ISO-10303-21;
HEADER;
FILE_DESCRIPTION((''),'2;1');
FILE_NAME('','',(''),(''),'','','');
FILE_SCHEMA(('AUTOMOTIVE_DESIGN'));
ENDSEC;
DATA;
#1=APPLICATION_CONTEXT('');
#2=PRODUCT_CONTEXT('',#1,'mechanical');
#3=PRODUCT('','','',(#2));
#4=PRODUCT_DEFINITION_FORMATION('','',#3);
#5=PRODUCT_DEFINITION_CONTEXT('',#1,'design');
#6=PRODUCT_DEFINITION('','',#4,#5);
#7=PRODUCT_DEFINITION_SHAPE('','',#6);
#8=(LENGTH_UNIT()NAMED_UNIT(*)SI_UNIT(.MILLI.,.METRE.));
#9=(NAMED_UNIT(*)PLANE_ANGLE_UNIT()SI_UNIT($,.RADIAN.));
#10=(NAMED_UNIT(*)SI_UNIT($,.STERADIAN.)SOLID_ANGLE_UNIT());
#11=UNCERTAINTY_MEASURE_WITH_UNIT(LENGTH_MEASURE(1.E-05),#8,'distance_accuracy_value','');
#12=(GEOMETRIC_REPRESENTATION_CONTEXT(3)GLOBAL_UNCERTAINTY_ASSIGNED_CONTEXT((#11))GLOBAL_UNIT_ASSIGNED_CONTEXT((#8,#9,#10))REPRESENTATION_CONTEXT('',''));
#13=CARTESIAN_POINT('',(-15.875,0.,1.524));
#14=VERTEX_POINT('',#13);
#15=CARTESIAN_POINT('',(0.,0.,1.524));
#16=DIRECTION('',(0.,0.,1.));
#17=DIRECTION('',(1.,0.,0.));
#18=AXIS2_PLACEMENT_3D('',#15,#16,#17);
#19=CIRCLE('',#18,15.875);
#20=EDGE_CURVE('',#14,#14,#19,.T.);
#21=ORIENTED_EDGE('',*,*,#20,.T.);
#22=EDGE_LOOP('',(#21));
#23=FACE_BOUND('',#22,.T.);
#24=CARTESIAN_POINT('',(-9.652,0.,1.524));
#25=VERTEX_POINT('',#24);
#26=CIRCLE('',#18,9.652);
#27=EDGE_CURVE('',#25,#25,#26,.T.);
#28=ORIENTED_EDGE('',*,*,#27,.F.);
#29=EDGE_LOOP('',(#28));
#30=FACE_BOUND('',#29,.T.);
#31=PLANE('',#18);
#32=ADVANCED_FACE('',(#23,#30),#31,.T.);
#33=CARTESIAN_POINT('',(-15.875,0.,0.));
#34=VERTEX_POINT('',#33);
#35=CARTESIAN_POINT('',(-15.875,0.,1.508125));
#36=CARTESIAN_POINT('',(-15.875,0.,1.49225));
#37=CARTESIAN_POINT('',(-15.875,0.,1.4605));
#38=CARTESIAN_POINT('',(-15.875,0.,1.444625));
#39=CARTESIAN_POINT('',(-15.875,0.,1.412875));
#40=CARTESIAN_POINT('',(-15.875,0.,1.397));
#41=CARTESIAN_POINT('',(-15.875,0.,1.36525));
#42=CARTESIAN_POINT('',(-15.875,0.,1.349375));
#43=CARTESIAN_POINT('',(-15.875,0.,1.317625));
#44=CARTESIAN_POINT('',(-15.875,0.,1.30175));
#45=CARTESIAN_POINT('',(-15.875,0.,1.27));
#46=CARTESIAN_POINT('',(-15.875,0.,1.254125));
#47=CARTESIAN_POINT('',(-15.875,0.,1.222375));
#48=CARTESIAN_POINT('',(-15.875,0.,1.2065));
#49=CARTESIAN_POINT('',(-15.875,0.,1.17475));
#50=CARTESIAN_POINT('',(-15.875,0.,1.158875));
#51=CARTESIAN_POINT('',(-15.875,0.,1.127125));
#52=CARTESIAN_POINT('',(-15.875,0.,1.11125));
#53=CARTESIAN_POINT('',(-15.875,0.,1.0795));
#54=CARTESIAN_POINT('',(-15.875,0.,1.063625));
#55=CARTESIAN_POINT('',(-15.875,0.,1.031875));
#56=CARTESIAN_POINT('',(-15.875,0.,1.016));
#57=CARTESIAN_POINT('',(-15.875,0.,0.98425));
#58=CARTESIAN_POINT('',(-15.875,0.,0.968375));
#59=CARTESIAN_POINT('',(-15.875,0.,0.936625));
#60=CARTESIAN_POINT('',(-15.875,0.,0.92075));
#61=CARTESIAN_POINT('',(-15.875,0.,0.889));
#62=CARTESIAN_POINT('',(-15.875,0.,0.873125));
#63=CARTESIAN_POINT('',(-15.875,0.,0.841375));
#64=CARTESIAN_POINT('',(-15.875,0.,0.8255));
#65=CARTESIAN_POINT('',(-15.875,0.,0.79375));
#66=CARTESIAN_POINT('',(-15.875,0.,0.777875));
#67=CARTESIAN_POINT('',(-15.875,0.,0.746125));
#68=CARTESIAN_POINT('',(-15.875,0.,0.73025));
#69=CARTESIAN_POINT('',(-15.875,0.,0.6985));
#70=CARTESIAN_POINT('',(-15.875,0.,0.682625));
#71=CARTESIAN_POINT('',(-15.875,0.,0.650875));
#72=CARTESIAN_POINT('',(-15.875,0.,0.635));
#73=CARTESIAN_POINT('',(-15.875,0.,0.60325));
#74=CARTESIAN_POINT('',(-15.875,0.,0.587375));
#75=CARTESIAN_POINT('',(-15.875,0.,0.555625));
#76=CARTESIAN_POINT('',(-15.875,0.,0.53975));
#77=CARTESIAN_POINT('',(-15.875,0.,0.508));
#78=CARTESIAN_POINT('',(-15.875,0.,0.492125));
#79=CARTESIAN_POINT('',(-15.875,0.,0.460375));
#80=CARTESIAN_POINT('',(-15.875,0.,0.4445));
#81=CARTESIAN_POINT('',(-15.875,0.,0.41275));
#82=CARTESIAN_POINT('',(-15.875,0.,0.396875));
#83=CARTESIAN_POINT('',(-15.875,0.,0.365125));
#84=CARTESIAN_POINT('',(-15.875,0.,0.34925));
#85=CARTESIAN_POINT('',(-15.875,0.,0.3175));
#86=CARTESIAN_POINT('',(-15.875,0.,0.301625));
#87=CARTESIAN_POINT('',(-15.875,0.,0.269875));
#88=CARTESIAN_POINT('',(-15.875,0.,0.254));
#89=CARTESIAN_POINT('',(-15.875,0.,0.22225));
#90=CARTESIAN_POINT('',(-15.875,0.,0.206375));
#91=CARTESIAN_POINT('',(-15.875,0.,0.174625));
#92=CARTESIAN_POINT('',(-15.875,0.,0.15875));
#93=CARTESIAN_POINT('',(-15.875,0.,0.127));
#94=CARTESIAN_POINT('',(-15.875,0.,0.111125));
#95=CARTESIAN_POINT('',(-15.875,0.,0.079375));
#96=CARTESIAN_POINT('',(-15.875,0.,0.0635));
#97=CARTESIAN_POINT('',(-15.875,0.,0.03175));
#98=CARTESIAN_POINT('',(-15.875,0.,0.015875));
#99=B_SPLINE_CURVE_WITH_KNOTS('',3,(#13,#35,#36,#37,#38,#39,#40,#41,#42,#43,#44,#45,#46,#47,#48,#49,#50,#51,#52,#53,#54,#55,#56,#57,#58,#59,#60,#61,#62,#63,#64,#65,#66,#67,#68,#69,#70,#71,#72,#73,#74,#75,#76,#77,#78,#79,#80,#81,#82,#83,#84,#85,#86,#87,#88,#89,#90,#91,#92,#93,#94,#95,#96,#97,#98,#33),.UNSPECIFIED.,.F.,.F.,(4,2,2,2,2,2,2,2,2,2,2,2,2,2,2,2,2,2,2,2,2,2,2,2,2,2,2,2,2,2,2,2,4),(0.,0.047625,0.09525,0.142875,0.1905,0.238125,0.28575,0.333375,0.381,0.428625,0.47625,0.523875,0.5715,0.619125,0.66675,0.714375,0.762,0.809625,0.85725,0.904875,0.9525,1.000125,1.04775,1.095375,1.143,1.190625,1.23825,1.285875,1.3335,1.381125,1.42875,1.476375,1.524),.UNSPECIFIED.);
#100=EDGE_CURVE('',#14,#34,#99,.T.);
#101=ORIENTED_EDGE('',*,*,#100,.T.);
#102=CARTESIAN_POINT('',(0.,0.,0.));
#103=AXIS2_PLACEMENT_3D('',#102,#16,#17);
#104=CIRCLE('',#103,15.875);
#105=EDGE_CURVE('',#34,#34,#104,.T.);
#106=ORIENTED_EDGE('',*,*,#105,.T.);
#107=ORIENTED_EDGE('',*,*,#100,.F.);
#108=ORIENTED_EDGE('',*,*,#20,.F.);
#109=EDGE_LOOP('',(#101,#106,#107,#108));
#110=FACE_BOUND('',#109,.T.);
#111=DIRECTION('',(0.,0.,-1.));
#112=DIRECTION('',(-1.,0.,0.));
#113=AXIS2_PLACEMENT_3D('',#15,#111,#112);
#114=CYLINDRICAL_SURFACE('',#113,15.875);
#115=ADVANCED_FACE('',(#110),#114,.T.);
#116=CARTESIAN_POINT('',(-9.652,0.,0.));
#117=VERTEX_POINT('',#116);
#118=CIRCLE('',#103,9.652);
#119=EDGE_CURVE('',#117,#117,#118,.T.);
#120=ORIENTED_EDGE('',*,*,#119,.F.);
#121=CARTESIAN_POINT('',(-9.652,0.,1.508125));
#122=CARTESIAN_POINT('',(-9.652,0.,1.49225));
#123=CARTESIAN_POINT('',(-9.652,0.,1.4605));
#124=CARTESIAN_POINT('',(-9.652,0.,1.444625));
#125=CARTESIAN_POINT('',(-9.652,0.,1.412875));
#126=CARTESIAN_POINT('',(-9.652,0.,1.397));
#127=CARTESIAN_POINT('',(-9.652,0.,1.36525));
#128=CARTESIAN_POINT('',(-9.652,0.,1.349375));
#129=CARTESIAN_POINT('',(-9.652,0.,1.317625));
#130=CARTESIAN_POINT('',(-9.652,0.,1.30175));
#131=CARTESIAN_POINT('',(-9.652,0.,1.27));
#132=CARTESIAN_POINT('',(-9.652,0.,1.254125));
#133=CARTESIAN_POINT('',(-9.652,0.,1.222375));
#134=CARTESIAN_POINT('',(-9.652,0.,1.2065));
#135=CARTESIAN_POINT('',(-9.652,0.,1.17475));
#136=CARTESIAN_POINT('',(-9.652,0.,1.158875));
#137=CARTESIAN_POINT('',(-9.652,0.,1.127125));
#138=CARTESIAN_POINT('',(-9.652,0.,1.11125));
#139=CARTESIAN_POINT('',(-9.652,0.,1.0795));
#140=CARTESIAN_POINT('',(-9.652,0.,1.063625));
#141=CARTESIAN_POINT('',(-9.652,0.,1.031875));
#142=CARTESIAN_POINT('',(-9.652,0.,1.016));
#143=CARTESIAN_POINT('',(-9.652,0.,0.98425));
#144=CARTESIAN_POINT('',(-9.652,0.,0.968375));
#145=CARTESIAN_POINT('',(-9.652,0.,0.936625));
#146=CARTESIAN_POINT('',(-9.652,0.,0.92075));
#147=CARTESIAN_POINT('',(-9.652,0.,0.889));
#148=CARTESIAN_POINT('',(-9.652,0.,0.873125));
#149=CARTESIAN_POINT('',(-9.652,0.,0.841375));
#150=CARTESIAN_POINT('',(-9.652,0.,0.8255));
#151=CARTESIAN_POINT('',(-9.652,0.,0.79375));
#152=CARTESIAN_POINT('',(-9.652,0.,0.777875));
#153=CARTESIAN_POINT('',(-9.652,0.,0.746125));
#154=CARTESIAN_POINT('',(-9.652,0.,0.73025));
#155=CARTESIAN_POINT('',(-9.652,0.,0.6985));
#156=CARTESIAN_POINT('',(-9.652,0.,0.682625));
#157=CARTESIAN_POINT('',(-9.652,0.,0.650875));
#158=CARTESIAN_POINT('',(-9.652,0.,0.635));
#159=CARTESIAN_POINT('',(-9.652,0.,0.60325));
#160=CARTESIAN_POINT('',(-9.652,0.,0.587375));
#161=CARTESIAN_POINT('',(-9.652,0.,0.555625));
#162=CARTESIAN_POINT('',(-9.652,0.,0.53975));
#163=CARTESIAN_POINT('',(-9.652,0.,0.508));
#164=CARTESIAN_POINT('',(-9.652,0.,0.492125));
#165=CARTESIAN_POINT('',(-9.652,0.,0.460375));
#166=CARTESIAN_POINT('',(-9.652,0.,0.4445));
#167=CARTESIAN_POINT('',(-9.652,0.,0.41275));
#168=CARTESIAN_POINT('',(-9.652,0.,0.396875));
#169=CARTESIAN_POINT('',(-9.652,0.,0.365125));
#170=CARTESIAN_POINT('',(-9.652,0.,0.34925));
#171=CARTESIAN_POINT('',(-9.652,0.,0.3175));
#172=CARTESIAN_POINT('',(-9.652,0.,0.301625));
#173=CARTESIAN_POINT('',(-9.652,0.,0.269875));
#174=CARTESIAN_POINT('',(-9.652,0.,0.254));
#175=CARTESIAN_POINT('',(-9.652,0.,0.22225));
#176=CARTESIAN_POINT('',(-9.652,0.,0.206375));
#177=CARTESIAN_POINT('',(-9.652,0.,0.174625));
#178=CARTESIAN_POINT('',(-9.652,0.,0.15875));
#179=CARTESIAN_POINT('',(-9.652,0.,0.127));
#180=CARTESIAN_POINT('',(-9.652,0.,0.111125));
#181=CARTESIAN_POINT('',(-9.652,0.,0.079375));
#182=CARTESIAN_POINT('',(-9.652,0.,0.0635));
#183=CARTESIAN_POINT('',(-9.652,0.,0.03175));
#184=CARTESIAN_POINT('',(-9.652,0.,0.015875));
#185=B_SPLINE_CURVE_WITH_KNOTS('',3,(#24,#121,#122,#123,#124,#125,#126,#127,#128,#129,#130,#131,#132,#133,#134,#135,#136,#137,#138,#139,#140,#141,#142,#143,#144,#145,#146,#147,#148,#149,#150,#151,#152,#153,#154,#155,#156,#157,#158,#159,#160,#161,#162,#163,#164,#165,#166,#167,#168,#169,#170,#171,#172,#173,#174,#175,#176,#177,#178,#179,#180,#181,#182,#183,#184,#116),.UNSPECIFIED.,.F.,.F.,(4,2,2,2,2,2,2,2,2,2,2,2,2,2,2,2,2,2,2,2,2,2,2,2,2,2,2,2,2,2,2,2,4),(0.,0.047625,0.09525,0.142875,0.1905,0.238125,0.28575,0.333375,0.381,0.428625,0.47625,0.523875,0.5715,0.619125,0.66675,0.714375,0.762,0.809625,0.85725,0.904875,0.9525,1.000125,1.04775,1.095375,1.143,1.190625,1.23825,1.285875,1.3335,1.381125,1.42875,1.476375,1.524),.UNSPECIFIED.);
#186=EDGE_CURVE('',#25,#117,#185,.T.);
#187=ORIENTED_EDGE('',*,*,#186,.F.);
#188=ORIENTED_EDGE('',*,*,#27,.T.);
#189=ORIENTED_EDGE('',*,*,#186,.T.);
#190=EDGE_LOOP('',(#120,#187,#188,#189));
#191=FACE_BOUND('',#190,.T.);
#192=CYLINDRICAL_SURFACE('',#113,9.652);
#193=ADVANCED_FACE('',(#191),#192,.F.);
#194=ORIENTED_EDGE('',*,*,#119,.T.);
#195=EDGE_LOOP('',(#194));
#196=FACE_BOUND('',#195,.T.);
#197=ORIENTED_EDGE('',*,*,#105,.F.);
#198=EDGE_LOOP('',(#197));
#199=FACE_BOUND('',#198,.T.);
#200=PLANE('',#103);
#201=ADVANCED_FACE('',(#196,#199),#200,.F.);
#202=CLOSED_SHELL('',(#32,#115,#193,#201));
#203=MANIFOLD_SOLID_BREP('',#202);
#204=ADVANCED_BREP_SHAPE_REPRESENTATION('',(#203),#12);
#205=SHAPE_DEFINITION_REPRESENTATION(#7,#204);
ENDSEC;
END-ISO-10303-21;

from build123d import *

# Parameters (mm, degrees)
SKETCH1_R           = 15.875
SKETCH1_R_2         = 9.652
BOSS_EXTRUDE1_DEPTH = 1.524


with BuildPart() as part:
    # Sketch1 → Boss-Extrude1 (new body)
    with BuildSketch(Plane.XY):
        Circle(SKETCH1_R)
        Circle(SKETCH1_R_2, mode=Mode.SUBTRACT)
    extrude(amount=BOSS_EXTRUDE1_DEPTH)


solid = part.part
